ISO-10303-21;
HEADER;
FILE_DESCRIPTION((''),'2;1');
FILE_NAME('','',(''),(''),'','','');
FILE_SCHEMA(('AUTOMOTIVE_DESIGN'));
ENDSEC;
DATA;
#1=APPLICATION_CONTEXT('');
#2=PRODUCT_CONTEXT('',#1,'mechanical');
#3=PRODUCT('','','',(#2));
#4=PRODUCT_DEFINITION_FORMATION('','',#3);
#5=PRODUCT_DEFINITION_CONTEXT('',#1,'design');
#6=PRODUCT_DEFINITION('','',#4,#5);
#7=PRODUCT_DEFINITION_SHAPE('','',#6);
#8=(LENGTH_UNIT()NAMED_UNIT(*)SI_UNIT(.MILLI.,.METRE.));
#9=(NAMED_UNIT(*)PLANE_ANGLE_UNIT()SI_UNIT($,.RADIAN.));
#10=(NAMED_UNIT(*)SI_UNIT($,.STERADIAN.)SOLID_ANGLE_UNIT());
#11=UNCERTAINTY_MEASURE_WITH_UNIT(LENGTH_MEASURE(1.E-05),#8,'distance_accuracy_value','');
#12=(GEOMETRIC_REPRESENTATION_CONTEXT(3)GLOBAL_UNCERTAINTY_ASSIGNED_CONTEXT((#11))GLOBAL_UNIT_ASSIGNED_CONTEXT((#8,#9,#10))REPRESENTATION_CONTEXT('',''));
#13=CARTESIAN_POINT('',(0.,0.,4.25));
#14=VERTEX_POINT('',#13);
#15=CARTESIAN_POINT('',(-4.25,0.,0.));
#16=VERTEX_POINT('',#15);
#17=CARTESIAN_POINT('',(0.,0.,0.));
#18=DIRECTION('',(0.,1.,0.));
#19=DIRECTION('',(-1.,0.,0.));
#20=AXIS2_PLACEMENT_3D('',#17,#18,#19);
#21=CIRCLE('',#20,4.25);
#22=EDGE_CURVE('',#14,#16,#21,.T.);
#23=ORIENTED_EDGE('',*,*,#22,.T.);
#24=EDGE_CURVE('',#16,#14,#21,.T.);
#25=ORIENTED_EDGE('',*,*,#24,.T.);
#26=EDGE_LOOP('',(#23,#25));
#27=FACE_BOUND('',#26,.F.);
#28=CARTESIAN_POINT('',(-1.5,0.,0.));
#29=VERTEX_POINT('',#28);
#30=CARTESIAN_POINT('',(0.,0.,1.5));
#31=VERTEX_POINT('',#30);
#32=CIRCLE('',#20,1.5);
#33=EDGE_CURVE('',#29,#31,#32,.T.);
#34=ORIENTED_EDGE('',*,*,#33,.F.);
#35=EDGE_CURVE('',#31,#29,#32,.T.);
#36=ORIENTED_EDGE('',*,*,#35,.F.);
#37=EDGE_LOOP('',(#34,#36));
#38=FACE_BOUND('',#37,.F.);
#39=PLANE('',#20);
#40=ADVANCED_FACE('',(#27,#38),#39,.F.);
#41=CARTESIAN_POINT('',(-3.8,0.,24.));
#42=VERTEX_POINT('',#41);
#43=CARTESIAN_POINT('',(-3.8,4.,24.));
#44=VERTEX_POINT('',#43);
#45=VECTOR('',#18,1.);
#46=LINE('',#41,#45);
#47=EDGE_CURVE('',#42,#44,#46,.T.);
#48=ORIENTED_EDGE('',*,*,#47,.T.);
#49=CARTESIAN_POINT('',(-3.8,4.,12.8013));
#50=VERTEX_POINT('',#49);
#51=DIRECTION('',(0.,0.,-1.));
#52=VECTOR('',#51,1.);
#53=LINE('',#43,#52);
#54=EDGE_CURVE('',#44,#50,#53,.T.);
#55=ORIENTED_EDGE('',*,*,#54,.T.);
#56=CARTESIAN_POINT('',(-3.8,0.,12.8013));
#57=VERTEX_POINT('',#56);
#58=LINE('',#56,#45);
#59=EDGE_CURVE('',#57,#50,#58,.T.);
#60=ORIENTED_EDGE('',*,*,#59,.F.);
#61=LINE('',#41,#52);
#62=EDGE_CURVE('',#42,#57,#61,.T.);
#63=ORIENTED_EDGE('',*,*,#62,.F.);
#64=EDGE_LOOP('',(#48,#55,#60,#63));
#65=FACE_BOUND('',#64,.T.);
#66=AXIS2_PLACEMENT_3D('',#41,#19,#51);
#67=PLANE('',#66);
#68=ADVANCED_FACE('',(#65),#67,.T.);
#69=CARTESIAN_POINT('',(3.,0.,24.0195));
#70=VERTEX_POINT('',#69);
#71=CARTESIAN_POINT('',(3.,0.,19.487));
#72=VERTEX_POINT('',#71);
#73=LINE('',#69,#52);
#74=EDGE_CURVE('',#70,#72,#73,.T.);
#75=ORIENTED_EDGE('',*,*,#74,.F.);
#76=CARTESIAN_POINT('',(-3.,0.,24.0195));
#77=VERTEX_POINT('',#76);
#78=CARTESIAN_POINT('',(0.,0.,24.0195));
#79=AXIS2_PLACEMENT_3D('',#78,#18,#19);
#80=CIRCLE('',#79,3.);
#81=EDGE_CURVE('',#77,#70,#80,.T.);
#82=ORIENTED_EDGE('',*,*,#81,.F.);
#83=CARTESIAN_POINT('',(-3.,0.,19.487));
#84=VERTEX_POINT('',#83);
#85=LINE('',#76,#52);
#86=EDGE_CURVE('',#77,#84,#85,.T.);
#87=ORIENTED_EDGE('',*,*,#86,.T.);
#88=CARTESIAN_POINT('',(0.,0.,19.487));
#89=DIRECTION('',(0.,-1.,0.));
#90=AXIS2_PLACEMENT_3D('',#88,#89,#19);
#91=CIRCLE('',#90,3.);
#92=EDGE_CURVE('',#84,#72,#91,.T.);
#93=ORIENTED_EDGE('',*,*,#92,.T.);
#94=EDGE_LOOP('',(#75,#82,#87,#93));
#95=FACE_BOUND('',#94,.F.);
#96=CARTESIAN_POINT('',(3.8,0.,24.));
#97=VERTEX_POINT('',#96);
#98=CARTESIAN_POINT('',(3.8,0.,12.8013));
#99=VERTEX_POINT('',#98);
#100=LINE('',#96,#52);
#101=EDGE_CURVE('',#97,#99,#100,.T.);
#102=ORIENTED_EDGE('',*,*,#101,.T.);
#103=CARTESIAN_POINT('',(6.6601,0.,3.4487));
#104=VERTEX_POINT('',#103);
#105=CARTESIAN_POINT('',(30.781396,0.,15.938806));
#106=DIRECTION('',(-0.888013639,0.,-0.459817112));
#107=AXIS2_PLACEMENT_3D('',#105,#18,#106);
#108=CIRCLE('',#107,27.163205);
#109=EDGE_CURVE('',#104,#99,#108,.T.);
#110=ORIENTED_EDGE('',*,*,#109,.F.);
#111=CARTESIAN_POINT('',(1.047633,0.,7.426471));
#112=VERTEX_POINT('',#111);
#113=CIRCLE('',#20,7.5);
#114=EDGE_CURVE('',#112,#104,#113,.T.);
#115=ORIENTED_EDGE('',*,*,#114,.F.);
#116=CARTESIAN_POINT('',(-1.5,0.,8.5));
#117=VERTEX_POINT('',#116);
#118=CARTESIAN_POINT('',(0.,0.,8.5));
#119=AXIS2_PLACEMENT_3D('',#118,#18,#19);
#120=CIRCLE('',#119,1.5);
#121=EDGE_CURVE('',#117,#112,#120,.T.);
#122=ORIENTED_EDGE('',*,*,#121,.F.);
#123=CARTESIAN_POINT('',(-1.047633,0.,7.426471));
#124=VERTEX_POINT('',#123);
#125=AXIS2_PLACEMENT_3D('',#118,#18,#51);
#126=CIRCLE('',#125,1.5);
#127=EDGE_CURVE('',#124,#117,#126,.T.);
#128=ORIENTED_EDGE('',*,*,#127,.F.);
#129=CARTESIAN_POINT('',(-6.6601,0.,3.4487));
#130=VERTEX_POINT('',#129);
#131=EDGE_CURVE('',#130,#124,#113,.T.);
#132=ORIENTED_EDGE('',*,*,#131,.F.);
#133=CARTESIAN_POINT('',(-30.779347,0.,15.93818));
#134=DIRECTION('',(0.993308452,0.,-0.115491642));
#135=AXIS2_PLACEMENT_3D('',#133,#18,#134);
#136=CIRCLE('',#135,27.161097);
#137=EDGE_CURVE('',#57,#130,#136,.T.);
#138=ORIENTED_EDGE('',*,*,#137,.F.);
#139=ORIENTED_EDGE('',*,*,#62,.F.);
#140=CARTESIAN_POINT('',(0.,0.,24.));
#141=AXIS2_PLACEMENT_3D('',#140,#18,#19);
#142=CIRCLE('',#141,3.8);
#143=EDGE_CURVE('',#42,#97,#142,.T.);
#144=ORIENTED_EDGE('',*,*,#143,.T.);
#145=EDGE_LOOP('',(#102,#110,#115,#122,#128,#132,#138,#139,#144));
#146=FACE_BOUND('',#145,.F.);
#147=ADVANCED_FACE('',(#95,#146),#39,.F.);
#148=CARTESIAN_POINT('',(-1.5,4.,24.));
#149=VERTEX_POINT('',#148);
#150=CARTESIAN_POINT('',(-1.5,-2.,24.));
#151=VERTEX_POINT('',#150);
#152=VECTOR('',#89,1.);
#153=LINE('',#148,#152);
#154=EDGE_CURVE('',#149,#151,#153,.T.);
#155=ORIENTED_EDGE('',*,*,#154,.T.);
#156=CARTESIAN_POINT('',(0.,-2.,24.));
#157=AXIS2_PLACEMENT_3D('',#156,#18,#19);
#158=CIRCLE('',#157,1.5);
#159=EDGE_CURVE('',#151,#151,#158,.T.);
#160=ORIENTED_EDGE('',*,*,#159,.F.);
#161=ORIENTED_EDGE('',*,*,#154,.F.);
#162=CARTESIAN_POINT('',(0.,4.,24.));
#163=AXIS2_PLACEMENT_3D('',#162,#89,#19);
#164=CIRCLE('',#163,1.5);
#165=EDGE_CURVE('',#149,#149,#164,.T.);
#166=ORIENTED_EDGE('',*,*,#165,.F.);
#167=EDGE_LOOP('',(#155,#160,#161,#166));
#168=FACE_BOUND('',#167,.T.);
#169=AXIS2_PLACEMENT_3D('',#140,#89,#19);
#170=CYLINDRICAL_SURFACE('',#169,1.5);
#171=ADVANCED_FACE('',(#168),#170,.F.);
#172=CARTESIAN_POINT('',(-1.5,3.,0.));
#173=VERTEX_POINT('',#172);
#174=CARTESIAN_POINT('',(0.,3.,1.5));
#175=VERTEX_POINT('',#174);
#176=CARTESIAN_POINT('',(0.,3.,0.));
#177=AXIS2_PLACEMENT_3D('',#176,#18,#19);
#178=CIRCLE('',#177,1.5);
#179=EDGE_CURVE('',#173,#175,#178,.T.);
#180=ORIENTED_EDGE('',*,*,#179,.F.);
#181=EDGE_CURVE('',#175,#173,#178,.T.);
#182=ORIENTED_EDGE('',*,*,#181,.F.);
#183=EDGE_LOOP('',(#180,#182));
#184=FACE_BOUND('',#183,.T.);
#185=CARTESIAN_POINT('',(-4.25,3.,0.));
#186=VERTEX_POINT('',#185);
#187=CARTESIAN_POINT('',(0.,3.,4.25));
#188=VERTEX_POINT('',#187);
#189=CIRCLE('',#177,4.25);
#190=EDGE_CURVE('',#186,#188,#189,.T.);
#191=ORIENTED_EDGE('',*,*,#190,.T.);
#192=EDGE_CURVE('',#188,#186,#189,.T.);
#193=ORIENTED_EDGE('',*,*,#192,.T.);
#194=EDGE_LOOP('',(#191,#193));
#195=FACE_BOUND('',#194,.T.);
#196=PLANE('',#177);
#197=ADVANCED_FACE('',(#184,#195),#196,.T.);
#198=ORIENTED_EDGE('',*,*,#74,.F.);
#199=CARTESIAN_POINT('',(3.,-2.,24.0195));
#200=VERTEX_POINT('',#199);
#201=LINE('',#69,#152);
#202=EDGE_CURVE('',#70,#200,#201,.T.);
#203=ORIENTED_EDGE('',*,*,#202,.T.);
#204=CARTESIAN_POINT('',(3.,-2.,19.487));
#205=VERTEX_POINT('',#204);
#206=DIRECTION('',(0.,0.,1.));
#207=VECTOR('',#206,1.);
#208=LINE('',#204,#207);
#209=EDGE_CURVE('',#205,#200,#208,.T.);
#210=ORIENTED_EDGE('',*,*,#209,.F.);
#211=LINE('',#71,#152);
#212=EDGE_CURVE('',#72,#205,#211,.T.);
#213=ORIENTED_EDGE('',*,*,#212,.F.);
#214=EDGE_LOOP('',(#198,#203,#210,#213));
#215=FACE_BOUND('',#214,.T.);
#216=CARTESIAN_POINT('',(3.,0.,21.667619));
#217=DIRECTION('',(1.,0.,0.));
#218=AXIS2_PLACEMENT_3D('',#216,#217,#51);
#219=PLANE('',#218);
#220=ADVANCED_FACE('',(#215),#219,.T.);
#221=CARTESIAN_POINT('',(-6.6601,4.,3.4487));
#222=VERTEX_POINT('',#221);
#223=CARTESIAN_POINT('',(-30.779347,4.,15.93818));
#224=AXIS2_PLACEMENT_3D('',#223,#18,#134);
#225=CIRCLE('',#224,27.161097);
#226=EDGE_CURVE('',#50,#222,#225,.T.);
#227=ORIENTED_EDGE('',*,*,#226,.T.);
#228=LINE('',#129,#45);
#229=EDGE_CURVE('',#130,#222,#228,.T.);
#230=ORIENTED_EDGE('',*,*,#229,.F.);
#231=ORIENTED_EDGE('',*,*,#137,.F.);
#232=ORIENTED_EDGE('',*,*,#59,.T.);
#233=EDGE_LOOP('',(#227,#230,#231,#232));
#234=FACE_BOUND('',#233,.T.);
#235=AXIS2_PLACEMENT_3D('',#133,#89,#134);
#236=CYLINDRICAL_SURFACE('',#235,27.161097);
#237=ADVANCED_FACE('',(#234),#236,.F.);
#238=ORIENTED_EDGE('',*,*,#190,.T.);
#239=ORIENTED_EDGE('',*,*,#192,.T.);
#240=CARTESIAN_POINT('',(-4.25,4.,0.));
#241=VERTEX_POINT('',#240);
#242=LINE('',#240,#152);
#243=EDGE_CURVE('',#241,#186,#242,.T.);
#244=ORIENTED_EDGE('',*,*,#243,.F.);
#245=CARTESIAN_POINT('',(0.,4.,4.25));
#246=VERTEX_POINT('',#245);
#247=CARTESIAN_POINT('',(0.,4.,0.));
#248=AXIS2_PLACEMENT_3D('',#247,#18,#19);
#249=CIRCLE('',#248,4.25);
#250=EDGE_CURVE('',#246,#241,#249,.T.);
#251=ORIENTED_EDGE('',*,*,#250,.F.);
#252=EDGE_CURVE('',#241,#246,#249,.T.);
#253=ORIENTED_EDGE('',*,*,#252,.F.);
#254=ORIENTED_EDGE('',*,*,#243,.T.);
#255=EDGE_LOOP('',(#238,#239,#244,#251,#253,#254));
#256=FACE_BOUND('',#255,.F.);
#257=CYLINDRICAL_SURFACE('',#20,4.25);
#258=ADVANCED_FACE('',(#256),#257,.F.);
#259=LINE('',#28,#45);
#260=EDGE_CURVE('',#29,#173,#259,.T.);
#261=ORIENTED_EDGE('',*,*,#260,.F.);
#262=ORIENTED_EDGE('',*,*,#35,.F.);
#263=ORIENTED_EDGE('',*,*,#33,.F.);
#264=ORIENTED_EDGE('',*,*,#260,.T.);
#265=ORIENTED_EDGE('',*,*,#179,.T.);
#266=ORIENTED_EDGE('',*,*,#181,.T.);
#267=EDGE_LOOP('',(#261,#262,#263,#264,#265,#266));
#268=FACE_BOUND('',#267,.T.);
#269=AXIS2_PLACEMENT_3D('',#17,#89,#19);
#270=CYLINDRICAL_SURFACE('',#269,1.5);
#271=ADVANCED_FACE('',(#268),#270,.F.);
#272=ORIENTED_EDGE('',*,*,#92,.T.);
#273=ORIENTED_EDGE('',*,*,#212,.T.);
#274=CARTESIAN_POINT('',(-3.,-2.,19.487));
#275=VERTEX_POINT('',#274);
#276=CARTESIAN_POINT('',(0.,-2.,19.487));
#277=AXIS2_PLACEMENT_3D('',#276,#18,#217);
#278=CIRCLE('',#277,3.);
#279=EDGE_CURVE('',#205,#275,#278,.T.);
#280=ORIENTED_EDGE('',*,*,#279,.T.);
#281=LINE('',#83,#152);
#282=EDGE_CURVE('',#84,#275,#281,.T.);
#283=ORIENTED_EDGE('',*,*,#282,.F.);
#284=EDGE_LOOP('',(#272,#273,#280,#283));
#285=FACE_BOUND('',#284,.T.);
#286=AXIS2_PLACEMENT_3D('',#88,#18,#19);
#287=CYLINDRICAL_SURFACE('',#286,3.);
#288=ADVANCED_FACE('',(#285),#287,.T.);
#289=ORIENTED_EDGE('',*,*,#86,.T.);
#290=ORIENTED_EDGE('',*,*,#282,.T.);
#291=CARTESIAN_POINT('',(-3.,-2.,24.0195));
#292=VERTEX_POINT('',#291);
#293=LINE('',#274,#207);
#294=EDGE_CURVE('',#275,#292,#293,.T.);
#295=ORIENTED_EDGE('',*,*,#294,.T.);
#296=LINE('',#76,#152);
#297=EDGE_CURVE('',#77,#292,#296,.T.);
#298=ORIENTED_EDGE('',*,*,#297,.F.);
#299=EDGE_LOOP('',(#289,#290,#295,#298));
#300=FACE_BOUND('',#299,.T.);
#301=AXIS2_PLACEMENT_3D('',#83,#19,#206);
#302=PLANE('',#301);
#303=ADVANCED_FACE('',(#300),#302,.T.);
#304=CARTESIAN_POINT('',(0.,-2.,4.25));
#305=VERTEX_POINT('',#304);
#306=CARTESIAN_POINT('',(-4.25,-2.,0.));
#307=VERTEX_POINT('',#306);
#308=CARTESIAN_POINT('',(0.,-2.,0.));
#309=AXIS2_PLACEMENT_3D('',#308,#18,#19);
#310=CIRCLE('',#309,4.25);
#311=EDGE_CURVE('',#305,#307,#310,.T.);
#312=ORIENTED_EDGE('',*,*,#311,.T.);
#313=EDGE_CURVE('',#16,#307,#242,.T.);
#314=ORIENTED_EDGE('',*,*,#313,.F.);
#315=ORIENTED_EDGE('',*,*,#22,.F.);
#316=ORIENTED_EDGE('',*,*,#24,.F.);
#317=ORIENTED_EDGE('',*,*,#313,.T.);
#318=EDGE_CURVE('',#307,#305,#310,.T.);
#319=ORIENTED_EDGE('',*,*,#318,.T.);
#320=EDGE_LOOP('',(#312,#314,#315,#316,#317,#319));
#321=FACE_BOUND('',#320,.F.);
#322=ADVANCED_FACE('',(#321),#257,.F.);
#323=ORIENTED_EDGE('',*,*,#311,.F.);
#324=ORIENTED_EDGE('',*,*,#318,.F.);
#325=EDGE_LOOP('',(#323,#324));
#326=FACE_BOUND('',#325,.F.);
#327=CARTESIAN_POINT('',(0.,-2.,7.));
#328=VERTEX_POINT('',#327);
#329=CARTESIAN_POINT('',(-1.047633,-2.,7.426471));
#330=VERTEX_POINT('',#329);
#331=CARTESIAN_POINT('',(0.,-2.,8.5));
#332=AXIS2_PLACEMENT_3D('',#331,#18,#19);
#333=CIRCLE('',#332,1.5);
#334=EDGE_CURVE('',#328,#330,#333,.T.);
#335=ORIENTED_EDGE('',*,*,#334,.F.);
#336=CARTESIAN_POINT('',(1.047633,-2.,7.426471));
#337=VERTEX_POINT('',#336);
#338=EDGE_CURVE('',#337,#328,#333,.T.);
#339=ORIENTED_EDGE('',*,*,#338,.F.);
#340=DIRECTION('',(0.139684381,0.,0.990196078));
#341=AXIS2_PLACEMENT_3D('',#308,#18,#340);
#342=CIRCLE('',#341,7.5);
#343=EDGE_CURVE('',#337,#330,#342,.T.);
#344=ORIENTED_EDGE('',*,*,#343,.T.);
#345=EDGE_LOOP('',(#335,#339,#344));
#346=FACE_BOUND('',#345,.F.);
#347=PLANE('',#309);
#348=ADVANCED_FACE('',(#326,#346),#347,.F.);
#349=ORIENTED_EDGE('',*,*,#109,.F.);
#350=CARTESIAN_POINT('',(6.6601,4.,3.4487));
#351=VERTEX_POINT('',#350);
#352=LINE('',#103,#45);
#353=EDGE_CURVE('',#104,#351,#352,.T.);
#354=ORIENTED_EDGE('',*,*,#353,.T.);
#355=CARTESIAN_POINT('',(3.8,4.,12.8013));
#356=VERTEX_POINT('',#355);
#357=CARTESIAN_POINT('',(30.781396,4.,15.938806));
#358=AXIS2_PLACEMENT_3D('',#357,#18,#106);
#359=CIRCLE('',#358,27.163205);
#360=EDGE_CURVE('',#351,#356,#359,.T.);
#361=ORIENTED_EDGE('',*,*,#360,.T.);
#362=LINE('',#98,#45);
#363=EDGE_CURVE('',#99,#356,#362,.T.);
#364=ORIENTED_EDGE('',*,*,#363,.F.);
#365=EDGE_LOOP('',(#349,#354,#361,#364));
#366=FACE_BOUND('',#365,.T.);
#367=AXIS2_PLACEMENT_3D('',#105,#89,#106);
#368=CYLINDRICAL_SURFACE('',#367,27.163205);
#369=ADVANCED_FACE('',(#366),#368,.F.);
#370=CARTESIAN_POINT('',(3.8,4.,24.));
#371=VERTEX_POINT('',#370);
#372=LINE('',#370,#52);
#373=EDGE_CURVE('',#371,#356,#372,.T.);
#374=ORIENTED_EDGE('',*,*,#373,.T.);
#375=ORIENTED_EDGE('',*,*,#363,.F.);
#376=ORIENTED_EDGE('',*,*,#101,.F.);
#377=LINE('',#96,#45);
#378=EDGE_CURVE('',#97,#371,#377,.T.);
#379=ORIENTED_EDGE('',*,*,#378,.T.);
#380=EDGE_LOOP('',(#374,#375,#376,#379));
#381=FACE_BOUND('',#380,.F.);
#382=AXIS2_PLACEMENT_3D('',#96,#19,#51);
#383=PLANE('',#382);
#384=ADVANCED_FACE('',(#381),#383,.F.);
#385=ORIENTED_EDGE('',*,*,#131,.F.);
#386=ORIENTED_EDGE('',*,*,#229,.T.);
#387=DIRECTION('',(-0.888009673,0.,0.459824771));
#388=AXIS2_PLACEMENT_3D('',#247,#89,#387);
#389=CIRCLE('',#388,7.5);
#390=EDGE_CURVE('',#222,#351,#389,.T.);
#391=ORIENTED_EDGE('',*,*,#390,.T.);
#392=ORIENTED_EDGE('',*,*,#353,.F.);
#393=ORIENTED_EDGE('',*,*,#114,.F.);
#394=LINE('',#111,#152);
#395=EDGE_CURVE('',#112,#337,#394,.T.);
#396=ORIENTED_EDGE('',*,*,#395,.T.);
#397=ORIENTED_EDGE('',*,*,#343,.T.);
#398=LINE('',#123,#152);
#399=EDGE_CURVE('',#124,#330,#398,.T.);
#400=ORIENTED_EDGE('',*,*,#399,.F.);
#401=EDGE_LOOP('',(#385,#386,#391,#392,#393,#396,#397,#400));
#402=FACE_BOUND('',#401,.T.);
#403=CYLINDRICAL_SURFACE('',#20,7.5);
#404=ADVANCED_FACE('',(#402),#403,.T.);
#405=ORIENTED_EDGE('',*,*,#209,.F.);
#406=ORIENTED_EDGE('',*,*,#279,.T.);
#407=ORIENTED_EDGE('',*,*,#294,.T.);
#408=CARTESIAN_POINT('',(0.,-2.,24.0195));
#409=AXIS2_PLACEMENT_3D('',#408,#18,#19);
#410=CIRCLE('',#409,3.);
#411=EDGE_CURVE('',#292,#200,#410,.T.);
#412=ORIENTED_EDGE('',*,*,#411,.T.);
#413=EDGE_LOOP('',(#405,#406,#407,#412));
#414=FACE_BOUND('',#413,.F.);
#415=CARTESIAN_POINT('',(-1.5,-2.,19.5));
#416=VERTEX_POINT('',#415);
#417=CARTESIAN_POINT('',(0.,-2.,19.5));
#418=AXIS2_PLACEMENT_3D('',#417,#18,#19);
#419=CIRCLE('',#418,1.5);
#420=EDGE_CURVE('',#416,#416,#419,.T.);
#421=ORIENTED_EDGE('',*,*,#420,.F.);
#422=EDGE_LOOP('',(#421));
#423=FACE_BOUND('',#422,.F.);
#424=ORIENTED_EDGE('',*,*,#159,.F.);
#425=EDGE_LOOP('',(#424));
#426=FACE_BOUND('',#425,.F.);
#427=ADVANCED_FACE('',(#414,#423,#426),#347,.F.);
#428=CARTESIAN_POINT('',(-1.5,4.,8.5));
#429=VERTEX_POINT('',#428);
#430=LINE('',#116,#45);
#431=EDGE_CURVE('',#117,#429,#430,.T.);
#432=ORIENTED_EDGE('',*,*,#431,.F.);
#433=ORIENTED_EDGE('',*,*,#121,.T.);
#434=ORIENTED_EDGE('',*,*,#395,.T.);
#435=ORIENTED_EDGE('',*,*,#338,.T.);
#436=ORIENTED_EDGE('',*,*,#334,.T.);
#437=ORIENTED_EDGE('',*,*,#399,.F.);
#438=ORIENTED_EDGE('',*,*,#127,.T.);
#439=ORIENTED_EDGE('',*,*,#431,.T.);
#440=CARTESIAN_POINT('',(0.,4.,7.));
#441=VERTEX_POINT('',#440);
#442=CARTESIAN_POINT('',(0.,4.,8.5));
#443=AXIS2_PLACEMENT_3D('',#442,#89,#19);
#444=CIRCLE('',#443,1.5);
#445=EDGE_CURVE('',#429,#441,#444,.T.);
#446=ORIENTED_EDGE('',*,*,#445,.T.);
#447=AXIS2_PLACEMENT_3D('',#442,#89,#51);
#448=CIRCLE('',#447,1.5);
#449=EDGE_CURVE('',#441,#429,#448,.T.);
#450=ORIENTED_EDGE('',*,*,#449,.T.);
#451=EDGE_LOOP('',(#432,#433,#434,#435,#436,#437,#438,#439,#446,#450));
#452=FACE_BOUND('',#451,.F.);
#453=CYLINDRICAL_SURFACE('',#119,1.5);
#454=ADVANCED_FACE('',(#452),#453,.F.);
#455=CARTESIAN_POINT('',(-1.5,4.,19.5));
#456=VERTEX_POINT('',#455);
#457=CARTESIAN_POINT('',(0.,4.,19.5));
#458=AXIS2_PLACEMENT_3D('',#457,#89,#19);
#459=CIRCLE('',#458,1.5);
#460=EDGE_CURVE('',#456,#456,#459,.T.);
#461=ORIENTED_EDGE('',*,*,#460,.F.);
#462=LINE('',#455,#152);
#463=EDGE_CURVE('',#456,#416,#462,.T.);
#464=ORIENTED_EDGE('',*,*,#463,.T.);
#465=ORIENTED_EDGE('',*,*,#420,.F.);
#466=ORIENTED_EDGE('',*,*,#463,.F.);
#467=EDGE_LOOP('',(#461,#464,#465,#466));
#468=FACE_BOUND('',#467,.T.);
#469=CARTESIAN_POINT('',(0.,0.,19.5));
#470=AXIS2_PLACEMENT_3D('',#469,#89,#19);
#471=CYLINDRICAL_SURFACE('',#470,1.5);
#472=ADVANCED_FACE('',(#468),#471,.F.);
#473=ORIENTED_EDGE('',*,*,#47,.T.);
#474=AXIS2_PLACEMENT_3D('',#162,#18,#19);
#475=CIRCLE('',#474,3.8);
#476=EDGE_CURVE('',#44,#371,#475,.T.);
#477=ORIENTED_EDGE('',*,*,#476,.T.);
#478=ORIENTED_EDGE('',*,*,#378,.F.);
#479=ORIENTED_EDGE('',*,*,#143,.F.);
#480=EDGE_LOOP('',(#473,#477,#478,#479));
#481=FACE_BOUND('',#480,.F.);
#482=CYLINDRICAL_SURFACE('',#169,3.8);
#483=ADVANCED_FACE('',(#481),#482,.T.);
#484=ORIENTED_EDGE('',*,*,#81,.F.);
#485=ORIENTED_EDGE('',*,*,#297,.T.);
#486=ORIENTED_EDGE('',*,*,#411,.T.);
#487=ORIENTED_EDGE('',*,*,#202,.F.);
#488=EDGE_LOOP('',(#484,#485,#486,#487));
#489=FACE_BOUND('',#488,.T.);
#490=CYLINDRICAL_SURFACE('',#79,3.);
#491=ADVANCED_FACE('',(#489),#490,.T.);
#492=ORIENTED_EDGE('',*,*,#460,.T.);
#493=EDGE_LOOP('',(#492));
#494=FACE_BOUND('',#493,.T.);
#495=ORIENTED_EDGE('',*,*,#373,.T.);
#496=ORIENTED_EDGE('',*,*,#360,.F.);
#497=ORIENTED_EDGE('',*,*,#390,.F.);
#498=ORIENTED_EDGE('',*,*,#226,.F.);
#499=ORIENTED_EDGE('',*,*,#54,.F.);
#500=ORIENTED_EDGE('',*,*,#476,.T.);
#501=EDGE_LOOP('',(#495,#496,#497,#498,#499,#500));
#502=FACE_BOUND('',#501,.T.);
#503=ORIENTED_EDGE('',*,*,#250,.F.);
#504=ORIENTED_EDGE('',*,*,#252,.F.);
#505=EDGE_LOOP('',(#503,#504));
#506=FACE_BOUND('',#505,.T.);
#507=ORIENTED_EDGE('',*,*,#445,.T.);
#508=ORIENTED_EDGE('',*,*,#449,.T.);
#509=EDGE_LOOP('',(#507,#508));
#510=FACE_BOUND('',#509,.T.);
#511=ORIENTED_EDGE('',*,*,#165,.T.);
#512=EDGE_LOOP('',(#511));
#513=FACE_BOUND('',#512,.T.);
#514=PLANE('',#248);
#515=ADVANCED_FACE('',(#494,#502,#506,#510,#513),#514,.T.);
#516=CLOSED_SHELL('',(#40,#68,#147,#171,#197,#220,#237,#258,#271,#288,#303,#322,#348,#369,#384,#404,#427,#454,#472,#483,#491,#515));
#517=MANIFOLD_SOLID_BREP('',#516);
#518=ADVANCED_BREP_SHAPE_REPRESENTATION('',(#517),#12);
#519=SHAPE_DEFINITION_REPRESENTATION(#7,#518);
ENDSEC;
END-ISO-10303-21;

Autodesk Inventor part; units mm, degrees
ref_plane "YZ Plane" through (0, 0, 0) normal (1, 0, 0) x (0, 1, 0)
ref_plane "XZ Plane" through (0, 0, 0) normal (0, 1, 0) x (-1, 0, 0)
ref_plane "XY Plane" through (0, 0, 0) normal (0, 0, 1) x (1, 0, 0)
sketch "スケッチ1" plane through (0, 0, 0) normal (0, 1, 0) x (-1, 0, 0)
  circle A0 centre (0, 0) radius 7.5
  circle A1 centre (0, 0) radius 4.25
  circle A2 centre (0, 0) radius 1.5
  line L0 (0, 0) -> (0, 24)
  circle A3 centre (0, 24) radius 3.8
  line L1 (3.8, 24) -> (3.8, 12.8013)
  line L2 (-3.8, 24) -> (-3.8, 12.8013)
  circle A4 centre (0, 24) radius 1.5
  circle A5 centre (0, 19.5) radius 1.5
  circle A6 centre (0, 8.5) radius 1.5
  arc A7 (3.8, 12.8013) -> (6.6601, 3.4487) centre (30.7804, 15.9384) ccw
  arc A8 (-6.6601, 3.4487) -> (-3.8, 12.8013) centre (-30.7804, 15.9384) ccw
  line L3 (-3, 19.487) -> (3, 19.487)
  line L4 (3, 19.487) -> (3, 24.0195)
  line L5 (3, 24.0195) -> (-3, 24.0195)
  line L6 (-3, 24.0195) -> (-3, 19.487)
  circle A9 centre (0, 19.487) radius 3
  circle A10 centre (0, 24.0195) radius 3
  point P0 (3.8, 8)
  point P1 (-3.8, 8)
  point P2 (-6.6601, 3.4487)
  point P3 (3.8, 24)
  point P4 (-1.0476, 7.4265)
  point P5 (1.0476, 7.4265)
  dimension "d0" = 15
  dimension "d1" = 8.5
  dimension "d2" = 3
  dimension "d3" = 24
  dimension "d4" = 7.6
  dimension "d5" = 16
  dimension "d6" = 0
  dimension "d7" = 3
  dimension "d8" = 3
  dimension "d9" = 4.5
  dimension "d10" = 3
  dimension "d11" = 11
  dimension "d14" = 3
  dimension "d15" = 3
extrude "押し出し1" add sketch "スケッチ1" along normal blind 4 contours A0 A6 | A0 A6 L0 A9 L4 A3 L1 A7 | A8 L2 A3 L6 A9 L0 A6 A0 | A3 L4 A10 L6 | L4 A9 A3 | A3 A9 A10 L4 | A9 L3 A5 L0 | L0 A5 L3 A9 | L6 A10 A9 A3 | A3 A9 L6 | A9 L3 A5 A3 | A3 A5 L0 A10 A9 | A10 A9 L0 A4 L5 | L5 A4 A10 | A9 A3 A5 L3 | A9 A10 L0 A5 A3 | L5 A4 L0 A9 A10 | A10 L0 A9 | A9 L0 A10
extrude "押し出し2" add sketch "スケッチ1" against normal blind 2 contours L4 A9 A3 | A3 A9 A10 L4 | A9 L3 A5 L0 | L0 A5 L3 A9 | L6 A10 A9 A3 | A3 A9 L6 | A9 L3 A5 A3 | A3 A5 L0 A10 A9 | A10 A9 L0 A4 L5 | L5 A4 A10 | A9 A3 A5 L3 | A9 A10 L0 A5 A3 | L5 A4 L0 A9 A10 | A10 L0 A9 | A9 L0 A10
extrude "押し出し3" add sketch "スケッチ1" against normal blind 2 contours A0 A6
extrude "押し出し4" add sketch "スケッチ1" along normal blind 3 contours A1
properties part number "ServoMotor_Hone2" material "鋼、高強度、低合金"
